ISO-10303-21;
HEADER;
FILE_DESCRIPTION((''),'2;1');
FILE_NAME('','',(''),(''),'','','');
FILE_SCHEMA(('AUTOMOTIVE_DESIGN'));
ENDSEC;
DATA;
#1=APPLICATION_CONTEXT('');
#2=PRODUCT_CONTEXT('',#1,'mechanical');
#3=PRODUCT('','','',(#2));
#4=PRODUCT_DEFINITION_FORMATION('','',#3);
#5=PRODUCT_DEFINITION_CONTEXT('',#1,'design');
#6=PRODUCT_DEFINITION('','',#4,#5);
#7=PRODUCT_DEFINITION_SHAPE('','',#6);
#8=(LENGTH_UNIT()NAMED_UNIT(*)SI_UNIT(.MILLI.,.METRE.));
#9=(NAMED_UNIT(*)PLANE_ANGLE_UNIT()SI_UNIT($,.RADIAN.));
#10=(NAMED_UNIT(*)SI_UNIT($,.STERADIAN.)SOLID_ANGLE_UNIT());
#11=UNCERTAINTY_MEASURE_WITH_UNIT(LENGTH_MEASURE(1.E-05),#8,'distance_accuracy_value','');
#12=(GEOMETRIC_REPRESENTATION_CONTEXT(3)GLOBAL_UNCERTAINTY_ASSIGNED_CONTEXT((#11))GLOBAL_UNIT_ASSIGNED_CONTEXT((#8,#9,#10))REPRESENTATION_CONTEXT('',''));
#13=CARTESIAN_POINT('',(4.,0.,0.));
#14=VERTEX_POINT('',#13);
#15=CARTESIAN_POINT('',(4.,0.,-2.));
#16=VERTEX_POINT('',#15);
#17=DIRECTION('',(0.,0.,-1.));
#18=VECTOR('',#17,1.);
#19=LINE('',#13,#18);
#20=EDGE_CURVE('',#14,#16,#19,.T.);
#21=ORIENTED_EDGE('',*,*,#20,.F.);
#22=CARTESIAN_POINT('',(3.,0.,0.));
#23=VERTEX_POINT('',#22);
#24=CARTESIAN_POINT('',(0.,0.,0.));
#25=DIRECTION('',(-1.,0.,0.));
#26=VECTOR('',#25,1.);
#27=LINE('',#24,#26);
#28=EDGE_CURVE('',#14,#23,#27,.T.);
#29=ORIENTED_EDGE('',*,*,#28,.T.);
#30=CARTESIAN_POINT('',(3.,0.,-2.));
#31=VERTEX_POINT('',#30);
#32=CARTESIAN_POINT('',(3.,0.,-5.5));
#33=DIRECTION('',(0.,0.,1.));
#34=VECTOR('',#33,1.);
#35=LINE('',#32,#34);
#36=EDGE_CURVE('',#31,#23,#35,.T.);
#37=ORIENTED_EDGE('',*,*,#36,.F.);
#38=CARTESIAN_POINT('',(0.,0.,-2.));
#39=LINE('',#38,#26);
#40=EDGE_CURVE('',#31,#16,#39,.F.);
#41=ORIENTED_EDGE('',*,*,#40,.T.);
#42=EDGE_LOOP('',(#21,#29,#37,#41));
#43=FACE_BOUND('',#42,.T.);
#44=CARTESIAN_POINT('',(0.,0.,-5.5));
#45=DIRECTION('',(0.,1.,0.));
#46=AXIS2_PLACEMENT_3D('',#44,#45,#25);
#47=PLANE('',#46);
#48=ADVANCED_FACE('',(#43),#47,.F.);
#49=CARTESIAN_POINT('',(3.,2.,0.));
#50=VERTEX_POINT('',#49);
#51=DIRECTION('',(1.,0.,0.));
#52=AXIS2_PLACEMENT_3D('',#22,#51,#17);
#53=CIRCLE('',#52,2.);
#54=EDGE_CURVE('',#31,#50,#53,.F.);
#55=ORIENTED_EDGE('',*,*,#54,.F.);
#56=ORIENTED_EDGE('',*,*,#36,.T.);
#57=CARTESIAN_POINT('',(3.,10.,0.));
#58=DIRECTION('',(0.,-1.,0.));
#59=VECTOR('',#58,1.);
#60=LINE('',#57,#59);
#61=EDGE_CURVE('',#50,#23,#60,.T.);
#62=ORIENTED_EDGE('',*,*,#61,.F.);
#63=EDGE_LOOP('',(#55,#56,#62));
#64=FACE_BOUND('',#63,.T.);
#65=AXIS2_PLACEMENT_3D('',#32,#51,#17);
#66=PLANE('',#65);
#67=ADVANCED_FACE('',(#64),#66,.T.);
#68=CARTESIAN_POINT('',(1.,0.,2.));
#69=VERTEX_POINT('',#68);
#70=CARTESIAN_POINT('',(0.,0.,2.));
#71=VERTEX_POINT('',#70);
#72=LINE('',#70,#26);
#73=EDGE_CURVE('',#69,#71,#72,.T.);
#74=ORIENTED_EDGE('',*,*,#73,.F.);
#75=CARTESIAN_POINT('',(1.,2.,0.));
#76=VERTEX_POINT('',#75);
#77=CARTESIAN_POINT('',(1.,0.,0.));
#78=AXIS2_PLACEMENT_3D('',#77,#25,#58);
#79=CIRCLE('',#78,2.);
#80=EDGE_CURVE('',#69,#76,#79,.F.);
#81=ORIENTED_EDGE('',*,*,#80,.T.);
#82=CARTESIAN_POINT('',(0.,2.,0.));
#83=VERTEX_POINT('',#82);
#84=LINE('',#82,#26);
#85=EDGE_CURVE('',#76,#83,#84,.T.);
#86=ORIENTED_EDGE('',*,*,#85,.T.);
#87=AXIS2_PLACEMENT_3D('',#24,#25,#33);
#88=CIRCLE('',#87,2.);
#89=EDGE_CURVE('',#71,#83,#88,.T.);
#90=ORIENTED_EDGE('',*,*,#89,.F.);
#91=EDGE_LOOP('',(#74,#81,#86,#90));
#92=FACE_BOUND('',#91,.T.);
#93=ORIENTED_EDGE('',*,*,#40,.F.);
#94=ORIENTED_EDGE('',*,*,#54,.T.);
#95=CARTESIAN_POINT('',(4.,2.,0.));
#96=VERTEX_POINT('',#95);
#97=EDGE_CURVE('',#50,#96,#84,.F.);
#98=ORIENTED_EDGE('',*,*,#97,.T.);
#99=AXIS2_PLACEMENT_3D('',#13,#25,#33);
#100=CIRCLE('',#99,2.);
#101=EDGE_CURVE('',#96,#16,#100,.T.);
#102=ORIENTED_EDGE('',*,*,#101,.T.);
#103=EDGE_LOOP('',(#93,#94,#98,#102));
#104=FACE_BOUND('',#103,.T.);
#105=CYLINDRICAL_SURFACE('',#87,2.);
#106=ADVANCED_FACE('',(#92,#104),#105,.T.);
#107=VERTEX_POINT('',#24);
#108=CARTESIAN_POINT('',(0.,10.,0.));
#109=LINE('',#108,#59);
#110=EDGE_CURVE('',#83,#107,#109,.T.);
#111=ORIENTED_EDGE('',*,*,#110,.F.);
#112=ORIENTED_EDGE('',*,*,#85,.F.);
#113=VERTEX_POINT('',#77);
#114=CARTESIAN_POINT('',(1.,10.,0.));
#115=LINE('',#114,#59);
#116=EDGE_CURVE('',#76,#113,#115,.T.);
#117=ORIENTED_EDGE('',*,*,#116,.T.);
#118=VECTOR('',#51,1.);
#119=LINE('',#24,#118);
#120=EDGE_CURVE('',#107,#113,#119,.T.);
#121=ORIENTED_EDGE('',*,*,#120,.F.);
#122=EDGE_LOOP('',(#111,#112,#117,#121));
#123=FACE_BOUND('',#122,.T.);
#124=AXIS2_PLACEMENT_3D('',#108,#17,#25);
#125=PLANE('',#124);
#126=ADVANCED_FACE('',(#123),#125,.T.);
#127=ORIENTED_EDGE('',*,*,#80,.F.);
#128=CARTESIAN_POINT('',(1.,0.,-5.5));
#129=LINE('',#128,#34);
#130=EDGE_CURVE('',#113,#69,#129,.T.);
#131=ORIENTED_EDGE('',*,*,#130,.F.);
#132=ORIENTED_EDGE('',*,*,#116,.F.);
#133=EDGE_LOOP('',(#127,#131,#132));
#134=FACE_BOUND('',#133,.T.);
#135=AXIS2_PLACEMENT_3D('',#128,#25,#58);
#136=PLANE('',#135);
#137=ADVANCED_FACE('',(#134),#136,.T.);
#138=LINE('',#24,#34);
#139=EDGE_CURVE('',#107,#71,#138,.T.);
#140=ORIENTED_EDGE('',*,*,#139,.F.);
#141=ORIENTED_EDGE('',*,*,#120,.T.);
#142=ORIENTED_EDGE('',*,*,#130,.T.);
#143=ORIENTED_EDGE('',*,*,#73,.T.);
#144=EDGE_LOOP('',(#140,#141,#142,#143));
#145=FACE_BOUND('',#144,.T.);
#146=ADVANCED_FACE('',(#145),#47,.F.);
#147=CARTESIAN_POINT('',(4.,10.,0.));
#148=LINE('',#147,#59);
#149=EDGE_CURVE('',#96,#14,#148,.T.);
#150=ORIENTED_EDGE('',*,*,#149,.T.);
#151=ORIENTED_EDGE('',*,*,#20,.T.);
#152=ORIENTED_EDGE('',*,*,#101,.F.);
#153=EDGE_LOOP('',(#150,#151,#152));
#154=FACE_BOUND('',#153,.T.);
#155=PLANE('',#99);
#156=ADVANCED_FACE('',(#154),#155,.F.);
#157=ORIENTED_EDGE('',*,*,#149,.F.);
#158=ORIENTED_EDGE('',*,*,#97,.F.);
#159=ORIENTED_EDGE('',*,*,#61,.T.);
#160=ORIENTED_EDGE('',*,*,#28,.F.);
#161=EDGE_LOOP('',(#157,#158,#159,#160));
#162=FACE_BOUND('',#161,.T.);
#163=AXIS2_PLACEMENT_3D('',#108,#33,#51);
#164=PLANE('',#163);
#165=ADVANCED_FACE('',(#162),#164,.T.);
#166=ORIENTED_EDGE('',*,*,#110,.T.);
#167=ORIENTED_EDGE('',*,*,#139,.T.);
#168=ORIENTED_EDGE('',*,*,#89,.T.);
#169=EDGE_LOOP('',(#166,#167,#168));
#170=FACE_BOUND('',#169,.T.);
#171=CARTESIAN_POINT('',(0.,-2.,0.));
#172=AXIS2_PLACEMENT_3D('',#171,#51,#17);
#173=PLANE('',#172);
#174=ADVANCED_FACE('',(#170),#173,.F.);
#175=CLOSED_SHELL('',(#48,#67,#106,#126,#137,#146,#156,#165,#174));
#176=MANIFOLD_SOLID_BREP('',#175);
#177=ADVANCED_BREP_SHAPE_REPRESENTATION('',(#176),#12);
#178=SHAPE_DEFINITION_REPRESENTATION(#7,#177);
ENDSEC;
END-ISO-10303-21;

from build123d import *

# Parameters (mm, degrees)
SKETCH5_W          = 4
SKETCH5_H          = 2
SKETCH6_W          = 1
SKETCH6_H          = 2
CUT_EXTRUDE5_DEPTH = 5.5
SKETCH7_W          = 1
SKETCH7_H          = 2
CUT_EXTRUDE6_DEPTH = 10


with BuildPart() as part:
    # Sketch5 → Revolve-Thin2 (revolve)
    with BuildSketch(Plane.XY):
        with Locations((2, 1)):
            Rectangle(SKETCH5_W, SKETCH5_H)
    revolve(axis=Axis((0, 0, 0), (1, 0, 0)))

    # Sketch6 → Cut-Extrude5 (cut, symmetric)
    with BuildSketch(Plane.XY):
        with Locations((3.5, -1)):
            Rectangle(SKETCH6_W, SKETCH6_H)
        with Locations((0.5, -1)):
            Rectangle(SKETCH6_W, SKETCH6_H)
    extrude(amount=CUT_EXTRUDE5_DEPTH, both=True, mode=Mode.SUBTRACT)

    # Sketch7 → Cut-Extrude6 (cut)
    with BuildSketch(Plane.XZ):
        with Locations((0.5, -1)):
            Rectangle(SKETCH7_W, SKETCH7_H)
        with Locations((3.5, 1)):
            Rectangle(SKETCH7_W, SKETCH7_H)
    extrude(amount=-CUT_EXTRUDE6_DEPTH, mode=Mode.SUBTRACT)


solid = part.part
